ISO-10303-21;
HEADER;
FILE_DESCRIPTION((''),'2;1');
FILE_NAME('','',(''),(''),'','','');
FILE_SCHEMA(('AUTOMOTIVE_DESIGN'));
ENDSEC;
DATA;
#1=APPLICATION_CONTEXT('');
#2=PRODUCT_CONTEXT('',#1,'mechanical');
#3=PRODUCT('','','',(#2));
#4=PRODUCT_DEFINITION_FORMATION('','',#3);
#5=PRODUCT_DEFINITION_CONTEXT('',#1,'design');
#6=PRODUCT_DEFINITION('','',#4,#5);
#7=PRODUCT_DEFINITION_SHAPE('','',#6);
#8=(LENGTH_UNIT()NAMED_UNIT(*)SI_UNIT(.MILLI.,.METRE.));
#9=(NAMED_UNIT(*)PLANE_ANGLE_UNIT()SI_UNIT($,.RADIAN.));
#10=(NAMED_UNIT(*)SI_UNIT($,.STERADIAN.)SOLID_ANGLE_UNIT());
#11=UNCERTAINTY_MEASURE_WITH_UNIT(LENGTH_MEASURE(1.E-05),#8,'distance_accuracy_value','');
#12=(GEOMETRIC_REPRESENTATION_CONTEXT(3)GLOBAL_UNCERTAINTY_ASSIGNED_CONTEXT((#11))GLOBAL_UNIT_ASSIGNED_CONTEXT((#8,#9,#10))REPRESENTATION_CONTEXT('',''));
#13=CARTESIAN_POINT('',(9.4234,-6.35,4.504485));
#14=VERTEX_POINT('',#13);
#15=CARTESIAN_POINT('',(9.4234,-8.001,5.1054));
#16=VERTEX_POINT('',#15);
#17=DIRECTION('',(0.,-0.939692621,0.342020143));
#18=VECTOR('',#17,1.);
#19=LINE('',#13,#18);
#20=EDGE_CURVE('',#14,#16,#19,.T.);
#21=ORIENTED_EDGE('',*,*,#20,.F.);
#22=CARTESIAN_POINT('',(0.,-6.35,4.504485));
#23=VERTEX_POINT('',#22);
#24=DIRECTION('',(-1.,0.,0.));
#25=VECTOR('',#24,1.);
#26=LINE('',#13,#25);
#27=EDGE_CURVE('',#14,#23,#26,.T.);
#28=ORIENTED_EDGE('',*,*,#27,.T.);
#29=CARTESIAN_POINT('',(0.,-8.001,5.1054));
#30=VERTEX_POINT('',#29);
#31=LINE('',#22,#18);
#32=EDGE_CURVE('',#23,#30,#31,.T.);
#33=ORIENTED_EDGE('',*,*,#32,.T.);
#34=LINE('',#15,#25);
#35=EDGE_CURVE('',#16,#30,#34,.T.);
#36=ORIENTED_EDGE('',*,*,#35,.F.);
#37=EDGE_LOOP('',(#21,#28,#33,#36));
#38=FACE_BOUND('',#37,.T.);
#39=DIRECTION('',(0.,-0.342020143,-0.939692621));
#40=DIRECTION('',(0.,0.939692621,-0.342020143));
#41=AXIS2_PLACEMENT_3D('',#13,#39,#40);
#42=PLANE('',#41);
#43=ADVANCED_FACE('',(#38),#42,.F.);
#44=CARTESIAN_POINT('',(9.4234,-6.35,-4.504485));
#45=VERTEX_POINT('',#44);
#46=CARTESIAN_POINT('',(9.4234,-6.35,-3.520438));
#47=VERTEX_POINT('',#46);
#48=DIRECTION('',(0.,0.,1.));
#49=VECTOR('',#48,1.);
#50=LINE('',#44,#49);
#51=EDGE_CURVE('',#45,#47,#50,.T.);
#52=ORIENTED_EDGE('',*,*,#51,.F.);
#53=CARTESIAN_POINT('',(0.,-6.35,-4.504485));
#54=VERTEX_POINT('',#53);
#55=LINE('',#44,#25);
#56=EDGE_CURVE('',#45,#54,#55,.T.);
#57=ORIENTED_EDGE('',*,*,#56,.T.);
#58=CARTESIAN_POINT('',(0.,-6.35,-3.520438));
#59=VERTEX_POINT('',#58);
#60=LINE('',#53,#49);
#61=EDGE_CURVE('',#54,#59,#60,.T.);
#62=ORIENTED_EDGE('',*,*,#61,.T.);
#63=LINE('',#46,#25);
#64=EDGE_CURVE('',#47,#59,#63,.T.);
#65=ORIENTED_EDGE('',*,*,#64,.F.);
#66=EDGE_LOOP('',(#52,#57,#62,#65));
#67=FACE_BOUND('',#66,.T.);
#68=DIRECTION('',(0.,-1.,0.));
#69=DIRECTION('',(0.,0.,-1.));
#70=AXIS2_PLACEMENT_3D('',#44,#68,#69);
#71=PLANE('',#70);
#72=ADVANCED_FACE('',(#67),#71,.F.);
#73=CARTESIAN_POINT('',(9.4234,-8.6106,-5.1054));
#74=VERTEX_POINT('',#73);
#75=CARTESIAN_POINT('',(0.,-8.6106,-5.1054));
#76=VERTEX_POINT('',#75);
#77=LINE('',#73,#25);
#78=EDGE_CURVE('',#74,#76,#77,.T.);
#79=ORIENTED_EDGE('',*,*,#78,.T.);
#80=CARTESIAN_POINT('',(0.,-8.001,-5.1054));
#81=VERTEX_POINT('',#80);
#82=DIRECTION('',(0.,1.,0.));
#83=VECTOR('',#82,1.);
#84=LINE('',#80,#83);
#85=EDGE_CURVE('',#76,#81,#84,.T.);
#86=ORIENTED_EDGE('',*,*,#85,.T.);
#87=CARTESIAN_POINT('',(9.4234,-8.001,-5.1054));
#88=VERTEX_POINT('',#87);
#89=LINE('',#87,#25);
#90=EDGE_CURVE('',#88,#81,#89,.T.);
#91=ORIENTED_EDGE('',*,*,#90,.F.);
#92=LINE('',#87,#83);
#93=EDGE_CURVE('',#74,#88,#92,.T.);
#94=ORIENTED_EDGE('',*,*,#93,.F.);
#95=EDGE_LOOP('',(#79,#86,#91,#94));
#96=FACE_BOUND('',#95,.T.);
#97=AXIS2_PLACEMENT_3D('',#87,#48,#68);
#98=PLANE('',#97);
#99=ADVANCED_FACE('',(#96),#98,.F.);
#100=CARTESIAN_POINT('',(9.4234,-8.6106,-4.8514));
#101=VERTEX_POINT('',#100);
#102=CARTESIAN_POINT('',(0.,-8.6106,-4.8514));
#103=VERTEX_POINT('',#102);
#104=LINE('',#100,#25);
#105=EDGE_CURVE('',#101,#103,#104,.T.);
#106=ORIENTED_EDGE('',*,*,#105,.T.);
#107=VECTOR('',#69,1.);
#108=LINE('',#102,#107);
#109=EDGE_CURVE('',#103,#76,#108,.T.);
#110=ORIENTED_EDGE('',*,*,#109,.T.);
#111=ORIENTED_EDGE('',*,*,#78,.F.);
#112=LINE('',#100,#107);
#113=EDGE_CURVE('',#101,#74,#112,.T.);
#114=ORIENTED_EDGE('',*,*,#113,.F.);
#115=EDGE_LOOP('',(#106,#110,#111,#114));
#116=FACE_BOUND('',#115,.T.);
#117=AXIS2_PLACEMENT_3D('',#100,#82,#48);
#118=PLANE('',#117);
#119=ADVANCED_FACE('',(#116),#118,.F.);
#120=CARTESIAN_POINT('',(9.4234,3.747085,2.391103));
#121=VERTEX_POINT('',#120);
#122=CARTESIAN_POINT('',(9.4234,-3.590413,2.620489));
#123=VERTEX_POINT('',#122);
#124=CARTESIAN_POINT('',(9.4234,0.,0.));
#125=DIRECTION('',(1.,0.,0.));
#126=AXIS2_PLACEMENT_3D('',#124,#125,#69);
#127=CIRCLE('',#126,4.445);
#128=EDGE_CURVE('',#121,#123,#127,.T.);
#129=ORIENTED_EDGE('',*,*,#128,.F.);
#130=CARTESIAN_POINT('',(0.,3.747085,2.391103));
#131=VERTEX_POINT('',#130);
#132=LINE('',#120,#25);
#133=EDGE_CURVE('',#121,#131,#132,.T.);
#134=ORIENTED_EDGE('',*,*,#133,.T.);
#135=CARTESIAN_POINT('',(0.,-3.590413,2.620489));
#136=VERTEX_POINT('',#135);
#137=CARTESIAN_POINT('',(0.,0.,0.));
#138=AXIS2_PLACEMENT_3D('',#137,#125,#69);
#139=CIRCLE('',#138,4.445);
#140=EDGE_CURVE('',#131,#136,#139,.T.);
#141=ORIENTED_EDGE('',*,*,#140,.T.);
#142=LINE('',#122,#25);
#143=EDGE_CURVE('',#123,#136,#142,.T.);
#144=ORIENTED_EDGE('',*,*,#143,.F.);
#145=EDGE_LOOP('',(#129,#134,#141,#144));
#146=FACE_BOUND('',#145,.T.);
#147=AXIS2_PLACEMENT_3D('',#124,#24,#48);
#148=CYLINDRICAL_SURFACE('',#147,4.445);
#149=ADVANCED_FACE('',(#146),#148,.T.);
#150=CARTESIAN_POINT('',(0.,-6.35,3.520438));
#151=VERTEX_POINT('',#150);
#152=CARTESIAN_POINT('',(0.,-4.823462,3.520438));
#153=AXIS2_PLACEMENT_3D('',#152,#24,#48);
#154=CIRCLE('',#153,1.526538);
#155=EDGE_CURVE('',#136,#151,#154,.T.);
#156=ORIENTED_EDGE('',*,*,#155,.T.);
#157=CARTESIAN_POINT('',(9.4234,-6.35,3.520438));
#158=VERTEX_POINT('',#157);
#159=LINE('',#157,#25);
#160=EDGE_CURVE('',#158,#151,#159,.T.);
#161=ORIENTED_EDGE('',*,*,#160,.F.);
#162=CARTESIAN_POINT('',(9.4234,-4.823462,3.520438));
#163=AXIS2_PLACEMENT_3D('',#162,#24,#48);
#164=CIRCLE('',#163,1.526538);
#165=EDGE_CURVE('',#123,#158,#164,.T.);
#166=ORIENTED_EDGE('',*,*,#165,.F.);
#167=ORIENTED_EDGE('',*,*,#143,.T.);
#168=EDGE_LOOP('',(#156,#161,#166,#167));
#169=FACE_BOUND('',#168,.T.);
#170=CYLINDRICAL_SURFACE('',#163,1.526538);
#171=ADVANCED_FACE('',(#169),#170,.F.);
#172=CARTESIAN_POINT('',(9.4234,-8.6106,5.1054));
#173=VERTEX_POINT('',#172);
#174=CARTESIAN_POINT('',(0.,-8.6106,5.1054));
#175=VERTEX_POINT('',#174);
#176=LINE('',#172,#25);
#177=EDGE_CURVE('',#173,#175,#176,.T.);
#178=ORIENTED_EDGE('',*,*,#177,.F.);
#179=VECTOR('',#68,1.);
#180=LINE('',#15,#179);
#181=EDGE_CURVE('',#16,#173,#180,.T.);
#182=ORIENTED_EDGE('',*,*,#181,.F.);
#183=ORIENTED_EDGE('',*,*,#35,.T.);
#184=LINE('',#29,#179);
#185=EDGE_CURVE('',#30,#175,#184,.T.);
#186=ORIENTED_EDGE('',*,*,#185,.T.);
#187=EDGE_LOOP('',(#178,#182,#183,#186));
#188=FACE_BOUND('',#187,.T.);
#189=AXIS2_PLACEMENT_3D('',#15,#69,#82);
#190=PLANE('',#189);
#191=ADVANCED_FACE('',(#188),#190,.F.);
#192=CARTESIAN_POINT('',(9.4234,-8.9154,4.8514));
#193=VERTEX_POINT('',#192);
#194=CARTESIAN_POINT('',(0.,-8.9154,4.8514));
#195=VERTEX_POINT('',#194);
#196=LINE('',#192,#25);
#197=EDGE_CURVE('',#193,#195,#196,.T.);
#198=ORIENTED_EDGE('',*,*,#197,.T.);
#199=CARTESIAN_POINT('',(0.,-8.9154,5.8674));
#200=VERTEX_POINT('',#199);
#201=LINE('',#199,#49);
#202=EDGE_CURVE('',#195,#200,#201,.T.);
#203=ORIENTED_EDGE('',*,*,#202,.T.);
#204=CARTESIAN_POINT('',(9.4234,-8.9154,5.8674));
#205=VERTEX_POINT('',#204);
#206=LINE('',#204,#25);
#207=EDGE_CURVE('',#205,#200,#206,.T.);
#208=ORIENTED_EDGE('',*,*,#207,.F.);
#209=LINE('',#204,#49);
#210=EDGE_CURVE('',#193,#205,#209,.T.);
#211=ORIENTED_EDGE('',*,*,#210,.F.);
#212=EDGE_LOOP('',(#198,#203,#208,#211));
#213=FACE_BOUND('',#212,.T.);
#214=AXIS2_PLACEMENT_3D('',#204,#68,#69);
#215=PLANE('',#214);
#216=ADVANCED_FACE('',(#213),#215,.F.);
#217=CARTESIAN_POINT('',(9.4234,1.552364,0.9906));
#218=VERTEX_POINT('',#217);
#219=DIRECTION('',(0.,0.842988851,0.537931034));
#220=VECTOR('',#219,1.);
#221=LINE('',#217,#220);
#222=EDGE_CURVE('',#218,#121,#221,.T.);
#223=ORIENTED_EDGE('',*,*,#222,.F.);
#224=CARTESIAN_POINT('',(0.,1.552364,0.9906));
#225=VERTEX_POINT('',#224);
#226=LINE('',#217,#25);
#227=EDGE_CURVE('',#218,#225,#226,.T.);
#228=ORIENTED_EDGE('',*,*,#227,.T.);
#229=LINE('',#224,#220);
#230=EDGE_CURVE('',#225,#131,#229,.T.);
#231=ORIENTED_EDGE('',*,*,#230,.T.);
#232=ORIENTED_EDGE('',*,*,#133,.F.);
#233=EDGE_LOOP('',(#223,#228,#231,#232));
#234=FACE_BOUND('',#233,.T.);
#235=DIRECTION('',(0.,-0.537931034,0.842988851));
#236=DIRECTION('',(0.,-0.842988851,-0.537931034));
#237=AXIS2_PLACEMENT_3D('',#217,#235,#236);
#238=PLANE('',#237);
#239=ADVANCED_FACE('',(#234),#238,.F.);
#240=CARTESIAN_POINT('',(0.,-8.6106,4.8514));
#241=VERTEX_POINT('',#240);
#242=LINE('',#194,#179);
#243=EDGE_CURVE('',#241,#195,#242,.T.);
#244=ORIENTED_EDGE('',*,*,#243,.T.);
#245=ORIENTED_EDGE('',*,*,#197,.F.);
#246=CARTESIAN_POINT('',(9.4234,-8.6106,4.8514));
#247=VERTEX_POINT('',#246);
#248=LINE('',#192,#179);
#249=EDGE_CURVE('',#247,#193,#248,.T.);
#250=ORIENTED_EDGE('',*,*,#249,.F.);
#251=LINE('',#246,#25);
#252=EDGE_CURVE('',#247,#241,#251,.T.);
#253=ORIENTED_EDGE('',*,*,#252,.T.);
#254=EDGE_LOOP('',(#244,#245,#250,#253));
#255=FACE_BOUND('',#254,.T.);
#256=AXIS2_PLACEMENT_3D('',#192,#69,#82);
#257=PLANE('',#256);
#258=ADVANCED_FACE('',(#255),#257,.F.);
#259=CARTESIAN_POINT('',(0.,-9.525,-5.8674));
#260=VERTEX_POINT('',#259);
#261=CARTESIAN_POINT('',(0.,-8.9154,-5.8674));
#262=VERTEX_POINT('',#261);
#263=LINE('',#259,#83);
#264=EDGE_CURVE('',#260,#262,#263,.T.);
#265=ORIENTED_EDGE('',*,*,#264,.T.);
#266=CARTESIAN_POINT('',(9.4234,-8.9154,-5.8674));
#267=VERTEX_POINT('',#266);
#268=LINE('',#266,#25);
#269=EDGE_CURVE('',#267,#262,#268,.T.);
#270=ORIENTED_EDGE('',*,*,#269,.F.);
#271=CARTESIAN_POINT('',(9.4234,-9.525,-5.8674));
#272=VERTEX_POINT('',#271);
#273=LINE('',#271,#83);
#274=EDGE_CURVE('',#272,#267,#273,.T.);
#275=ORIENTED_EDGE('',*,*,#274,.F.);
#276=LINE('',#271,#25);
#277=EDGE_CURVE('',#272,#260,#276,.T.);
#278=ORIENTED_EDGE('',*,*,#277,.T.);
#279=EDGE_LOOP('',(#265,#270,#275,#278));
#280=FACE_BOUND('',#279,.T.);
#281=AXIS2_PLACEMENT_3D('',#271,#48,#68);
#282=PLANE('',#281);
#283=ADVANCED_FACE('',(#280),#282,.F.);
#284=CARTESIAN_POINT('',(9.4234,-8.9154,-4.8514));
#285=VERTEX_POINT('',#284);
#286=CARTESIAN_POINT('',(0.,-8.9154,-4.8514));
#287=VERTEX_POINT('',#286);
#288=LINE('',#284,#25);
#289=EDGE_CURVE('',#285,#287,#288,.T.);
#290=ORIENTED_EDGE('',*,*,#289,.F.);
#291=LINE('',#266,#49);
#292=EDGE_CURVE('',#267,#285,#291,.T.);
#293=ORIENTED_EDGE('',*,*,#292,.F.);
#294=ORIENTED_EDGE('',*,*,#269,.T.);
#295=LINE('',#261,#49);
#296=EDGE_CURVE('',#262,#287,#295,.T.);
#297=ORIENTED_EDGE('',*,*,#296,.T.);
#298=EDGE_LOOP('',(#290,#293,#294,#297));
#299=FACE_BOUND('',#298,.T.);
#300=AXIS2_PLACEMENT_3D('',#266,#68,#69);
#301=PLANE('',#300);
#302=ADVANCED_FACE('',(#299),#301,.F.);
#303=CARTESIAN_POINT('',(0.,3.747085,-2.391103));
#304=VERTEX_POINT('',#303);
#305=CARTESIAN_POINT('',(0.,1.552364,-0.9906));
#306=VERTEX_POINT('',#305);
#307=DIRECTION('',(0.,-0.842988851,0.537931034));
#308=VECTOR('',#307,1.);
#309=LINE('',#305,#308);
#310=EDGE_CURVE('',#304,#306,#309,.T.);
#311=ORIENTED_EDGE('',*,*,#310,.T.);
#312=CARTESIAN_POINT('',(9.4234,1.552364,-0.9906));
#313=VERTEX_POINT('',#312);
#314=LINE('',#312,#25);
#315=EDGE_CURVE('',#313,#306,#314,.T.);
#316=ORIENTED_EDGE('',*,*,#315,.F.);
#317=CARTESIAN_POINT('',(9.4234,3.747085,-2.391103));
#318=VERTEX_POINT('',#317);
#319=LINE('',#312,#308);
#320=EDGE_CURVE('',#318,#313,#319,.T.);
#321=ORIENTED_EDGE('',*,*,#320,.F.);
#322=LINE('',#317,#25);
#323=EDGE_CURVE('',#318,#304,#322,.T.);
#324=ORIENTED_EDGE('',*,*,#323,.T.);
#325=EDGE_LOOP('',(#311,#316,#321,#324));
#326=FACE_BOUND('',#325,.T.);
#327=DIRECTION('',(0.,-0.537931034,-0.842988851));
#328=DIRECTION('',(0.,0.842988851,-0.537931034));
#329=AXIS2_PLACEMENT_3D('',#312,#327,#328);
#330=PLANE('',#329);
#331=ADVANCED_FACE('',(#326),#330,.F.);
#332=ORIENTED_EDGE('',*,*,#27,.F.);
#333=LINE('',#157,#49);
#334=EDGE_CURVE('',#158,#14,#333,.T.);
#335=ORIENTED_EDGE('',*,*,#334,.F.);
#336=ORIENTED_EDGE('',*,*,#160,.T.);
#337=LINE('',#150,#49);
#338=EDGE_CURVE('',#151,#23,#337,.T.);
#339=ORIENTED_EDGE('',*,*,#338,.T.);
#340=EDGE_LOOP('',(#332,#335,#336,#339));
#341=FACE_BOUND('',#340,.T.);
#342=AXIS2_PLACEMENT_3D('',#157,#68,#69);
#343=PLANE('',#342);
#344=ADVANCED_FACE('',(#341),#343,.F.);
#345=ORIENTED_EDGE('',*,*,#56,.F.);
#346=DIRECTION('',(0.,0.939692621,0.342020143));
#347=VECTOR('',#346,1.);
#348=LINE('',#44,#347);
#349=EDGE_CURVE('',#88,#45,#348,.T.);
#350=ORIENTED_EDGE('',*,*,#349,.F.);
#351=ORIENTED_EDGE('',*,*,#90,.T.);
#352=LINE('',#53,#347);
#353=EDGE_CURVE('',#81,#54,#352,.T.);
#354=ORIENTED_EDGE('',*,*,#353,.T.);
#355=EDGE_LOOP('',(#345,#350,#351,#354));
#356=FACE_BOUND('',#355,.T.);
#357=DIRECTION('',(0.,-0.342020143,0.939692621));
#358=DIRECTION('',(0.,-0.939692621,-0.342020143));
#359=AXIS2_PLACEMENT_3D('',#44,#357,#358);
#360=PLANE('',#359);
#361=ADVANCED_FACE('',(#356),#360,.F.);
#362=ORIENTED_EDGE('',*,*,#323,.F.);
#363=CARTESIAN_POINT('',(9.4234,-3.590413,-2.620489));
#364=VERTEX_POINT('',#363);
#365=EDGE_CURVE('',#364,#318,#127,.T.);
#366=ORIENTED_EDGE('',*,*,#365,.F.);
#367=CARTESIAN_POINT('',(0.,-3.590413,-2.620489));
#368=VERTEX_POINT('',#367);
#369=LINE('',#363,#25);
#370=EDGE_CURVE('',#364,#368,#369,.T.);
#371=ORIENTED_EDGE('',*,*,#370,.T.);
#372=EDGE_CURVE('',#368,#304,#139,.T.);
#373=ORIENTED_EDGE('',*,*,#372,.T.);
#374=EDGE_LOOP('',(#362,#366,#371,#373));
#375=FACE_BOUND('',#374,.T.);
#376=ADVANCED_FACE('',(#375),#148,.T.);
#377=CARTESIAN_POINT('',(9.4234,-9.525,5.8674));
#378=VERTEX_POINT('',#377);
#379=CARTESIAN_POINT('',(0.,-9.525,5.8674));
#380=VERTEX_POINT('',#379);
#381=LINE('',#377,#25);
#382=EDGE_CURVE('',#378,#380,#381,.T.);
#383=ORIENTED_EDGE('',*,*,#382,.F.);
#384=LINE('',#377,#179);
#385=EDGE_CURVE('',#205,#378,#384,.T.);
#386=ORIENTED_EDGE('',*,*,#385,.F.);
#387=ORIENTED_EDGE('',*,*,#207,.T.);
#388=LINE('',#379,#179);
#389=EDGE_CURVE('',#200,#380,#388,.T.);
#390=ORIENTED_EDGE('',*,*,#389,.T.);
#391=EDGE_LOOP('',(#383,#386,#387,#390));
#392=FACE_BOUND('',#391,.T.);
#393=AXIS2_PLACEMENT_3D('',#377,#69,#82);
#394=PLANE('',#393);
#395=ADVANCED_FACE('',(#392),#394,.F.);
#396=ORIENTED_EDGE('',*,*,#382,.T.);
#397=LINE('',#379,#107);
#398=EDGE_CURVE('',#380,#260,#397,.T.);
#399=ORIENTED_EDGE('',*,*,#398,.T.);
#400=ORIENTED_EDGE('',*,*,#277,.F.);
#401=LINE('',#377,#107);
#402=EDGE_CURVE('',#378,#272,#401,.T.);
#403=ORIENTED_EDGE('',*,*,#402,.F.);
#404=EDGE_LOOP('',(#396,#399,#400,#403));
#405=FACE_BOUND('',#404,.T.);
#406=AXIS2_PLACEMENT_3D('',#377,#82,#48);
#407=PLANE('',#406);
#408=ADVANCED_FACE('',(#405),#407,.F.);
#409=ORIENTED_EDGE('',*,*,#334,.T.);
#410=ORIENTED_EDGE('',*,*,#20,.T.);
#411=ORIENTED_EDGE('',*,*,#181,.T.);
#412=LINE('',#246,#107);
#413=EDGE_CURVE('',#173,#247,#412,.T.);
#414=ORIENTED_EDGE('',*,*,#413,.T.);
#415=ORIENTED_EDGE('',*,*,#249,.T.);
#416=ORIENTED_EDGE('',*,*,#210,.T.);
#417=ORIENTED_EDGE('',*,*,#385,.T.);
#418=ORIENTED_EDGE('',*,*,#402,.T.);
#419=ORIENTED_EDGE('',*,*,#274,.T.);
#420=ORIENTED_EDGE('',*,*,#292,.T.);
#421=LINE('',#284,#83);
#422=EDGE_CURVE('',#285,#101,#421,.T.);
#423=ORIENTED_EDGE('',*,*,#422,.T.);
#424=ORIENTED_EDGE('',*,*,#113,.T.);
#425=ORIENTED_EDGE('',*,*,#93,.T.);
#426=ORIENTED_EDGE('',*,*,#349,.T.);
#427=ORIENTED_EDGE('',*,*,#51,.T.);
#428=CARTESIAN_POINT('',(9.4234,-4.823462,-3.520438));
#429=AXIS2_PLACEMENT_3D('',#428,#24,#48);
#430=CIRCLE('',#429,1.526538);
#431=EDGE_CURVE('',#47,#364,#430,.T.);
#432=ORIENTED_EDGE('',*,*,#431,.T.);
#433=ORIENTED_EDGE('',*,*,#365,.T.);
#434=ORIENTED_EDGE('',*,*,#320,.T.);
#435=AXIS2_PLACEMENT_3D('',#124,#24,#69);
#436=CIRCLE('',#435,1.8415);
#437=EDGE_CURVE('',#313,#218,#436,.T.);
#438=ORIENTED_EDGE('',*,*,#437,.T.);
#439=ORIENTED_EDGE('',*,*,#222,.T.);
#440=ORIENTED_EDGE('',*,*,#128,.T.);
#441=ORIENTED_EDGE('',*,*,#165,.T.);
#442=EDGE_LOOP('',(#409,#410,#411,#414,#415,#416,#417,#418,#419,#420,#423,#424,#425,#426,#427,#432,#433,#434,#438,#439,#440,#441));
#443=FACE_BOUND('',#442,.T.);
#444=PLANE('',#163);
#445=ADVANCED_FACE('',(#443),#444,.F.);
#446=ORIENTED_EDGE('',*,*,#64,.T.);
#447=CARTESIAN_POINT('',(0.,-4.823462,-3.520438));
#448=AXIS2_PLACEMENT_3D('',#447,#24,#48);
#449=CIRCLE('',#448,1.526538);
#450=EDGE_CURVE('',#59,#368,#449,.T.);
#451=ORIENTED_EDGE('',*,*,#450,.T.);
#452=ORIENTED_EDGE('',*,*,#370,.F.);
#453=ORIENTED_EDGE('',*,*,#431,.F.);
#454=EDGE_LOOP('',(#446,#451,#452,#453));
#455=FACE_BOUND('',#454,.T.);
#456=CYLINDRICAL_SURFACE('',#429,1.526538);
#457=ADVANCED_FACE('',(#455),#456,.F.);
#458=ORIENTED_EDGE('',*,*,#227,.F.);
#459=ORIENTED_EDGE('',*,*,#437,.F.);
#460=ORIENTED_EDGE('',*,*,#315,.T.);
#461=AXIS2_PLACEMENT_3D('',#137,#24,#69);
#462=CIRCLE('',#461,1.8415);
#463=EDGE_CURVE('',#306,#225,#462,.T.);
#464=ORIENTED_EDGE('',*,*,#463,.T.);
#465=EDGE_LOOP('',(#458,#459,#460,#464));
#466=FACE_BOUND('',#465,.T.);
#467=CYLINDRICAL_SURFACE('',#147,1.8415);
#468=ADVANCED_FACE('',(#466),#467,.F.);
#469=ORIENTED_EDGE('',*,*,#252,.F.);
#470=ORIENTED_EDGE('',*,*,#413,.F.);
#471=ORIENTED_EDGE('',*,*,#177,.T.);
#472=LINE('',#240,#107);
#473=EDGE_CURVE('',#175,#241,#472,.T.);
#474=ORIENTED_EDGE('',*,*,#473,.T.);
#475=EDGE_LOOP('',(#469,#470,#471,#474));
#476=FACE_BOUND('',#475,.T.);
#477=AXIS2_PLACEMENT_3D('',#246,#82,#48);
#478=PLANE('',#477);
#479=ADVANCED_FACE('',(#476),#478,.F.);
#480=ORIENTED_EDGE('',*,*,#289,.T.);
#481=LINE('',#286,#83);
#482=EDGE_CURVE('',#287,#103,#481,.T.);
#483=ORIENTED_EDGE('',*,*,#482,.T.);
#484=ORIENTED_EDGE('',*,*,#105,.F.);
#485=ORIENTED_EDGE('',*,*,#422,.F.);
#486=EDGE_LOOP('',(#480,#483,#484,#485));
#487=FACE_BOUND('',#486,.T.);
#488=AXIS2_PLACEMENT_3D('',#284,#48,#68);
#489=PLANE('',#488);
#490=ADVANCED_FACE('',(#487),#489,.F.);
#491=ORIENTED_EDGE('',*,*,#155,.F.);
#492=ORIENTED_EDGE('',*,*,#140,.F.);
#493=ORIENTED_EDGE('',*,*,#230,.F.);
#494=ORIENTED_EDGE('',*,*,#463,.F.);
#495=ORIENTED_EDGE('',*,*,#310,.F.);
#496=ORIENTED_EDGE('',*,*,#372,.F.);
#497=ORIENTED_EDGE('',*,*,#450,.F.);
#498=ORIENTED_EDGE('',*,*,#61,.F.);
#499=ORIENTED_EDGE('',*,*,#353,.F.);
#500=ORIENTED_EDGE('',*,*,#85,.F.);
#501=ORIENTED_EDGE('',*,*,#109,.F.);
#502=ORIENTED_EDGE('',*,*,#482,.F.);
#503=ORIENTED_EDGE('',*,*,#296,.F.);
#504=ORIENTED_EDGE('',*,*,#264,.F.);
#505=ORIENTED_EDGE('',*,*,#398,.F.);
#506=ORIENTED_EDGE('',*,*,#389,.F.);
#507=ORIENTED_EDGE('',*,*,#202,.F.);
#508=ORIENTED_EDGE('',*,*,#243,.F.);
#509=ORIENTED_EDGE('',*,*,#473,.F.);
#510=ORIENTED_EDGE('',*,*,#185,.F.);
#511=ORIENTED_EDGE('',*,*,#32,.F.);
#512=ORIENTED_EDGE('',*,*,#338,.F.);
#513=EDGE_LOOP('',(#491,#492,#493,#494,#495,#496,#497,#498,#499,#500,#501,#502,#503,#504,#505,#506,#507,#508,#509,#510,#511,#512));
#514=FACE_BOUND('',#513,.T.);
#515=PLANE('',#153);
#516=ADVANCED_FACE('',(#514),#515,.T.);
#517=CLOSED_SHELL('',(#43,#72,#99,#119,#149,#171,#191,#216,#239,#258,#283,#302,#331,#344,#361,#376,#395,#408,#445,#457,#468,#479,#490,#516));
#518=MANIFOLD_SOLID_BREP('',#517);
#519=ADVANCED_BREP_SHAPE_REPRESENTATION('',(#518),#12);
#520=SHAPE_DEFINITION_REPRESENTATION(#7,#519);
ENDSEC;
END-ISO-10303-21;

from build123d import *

# Parameters (mm, degrees)
BODY_DEPTH = 9.4234


with BuildPart() as part:
    # BodySke → Body (new body)
    with BuildSketch(Plane(origin=(0, 0, 0), x_dir=(0, 0, -1), z_dir=(1, 0, 0))):
        with BuildLine():
            Line((-5.8674, -9.525), (5.8674, -9.525))
            Line((5.8674, -9.525), (5.8674, -8.9154))
            Line((5.8674, -8.9154), (4.8514, -8.9154))
            Line((4.8514, -8.9154), (4.8514, -8.6106))
            Line((4.8514, -8.6106), (5.1054, -8.6106))
            Line((5.1054, -8.6106), (5.1054, -8.001))
            Line((5.1054, -8.001), (4.504485143, -6.35))
            Line((4.504485143, -6.35), (3.520438226, -6.35))
            ThreePointArc((3.520438226, -6.35), (2.069125842, -5.296760115), (2.620488612, -3.59041285))
            ThreePointArc((2.620488612, -3.59041285), (4.442829508, 0.138891913), (2.391103448, 3.747085441))
            Line((2.391103448, 3.747085441), (0.9906, 1.552363968))
            ThreePointArc((0.9906, 1.552363968), (0, -1.8415), (-0.9906, 1.552363968))
            Line((-0.9906, 1.552363968), (-2.391103448, 3.747085441))
            ThreePointArc((-2.391103448, 3.747085441), (-4.442829508, 0.138891913), (-2.620488612, -3.59041285))
            ThreePointArc((-2.620488612, -3.59041285), (-2.069125842, -5.296760115), (-3.520438226, -6.35))
            Line((-3.520438226, -6.35), (-4.504485143, -6.35))
            Line((-4.504485143, -6.35), (-5.1054, -8.001))
            Line((-5.1054, -8.001), (-5.1054, -8.6106))
            Line((-5.1054, -8.6106), (-4.8514, -8.6106))
            Line((-4.8514, -8.6106), (-4.8514, -8.9154))
            Line((-4.8514, -8.9154), (-5.8674, -8.9154))
            Line((-5.8674, -8.9154), (-5.8674, -9.525))
        make_face()
    extrude(amount=BODY_DEPTH)


solid = part.part
